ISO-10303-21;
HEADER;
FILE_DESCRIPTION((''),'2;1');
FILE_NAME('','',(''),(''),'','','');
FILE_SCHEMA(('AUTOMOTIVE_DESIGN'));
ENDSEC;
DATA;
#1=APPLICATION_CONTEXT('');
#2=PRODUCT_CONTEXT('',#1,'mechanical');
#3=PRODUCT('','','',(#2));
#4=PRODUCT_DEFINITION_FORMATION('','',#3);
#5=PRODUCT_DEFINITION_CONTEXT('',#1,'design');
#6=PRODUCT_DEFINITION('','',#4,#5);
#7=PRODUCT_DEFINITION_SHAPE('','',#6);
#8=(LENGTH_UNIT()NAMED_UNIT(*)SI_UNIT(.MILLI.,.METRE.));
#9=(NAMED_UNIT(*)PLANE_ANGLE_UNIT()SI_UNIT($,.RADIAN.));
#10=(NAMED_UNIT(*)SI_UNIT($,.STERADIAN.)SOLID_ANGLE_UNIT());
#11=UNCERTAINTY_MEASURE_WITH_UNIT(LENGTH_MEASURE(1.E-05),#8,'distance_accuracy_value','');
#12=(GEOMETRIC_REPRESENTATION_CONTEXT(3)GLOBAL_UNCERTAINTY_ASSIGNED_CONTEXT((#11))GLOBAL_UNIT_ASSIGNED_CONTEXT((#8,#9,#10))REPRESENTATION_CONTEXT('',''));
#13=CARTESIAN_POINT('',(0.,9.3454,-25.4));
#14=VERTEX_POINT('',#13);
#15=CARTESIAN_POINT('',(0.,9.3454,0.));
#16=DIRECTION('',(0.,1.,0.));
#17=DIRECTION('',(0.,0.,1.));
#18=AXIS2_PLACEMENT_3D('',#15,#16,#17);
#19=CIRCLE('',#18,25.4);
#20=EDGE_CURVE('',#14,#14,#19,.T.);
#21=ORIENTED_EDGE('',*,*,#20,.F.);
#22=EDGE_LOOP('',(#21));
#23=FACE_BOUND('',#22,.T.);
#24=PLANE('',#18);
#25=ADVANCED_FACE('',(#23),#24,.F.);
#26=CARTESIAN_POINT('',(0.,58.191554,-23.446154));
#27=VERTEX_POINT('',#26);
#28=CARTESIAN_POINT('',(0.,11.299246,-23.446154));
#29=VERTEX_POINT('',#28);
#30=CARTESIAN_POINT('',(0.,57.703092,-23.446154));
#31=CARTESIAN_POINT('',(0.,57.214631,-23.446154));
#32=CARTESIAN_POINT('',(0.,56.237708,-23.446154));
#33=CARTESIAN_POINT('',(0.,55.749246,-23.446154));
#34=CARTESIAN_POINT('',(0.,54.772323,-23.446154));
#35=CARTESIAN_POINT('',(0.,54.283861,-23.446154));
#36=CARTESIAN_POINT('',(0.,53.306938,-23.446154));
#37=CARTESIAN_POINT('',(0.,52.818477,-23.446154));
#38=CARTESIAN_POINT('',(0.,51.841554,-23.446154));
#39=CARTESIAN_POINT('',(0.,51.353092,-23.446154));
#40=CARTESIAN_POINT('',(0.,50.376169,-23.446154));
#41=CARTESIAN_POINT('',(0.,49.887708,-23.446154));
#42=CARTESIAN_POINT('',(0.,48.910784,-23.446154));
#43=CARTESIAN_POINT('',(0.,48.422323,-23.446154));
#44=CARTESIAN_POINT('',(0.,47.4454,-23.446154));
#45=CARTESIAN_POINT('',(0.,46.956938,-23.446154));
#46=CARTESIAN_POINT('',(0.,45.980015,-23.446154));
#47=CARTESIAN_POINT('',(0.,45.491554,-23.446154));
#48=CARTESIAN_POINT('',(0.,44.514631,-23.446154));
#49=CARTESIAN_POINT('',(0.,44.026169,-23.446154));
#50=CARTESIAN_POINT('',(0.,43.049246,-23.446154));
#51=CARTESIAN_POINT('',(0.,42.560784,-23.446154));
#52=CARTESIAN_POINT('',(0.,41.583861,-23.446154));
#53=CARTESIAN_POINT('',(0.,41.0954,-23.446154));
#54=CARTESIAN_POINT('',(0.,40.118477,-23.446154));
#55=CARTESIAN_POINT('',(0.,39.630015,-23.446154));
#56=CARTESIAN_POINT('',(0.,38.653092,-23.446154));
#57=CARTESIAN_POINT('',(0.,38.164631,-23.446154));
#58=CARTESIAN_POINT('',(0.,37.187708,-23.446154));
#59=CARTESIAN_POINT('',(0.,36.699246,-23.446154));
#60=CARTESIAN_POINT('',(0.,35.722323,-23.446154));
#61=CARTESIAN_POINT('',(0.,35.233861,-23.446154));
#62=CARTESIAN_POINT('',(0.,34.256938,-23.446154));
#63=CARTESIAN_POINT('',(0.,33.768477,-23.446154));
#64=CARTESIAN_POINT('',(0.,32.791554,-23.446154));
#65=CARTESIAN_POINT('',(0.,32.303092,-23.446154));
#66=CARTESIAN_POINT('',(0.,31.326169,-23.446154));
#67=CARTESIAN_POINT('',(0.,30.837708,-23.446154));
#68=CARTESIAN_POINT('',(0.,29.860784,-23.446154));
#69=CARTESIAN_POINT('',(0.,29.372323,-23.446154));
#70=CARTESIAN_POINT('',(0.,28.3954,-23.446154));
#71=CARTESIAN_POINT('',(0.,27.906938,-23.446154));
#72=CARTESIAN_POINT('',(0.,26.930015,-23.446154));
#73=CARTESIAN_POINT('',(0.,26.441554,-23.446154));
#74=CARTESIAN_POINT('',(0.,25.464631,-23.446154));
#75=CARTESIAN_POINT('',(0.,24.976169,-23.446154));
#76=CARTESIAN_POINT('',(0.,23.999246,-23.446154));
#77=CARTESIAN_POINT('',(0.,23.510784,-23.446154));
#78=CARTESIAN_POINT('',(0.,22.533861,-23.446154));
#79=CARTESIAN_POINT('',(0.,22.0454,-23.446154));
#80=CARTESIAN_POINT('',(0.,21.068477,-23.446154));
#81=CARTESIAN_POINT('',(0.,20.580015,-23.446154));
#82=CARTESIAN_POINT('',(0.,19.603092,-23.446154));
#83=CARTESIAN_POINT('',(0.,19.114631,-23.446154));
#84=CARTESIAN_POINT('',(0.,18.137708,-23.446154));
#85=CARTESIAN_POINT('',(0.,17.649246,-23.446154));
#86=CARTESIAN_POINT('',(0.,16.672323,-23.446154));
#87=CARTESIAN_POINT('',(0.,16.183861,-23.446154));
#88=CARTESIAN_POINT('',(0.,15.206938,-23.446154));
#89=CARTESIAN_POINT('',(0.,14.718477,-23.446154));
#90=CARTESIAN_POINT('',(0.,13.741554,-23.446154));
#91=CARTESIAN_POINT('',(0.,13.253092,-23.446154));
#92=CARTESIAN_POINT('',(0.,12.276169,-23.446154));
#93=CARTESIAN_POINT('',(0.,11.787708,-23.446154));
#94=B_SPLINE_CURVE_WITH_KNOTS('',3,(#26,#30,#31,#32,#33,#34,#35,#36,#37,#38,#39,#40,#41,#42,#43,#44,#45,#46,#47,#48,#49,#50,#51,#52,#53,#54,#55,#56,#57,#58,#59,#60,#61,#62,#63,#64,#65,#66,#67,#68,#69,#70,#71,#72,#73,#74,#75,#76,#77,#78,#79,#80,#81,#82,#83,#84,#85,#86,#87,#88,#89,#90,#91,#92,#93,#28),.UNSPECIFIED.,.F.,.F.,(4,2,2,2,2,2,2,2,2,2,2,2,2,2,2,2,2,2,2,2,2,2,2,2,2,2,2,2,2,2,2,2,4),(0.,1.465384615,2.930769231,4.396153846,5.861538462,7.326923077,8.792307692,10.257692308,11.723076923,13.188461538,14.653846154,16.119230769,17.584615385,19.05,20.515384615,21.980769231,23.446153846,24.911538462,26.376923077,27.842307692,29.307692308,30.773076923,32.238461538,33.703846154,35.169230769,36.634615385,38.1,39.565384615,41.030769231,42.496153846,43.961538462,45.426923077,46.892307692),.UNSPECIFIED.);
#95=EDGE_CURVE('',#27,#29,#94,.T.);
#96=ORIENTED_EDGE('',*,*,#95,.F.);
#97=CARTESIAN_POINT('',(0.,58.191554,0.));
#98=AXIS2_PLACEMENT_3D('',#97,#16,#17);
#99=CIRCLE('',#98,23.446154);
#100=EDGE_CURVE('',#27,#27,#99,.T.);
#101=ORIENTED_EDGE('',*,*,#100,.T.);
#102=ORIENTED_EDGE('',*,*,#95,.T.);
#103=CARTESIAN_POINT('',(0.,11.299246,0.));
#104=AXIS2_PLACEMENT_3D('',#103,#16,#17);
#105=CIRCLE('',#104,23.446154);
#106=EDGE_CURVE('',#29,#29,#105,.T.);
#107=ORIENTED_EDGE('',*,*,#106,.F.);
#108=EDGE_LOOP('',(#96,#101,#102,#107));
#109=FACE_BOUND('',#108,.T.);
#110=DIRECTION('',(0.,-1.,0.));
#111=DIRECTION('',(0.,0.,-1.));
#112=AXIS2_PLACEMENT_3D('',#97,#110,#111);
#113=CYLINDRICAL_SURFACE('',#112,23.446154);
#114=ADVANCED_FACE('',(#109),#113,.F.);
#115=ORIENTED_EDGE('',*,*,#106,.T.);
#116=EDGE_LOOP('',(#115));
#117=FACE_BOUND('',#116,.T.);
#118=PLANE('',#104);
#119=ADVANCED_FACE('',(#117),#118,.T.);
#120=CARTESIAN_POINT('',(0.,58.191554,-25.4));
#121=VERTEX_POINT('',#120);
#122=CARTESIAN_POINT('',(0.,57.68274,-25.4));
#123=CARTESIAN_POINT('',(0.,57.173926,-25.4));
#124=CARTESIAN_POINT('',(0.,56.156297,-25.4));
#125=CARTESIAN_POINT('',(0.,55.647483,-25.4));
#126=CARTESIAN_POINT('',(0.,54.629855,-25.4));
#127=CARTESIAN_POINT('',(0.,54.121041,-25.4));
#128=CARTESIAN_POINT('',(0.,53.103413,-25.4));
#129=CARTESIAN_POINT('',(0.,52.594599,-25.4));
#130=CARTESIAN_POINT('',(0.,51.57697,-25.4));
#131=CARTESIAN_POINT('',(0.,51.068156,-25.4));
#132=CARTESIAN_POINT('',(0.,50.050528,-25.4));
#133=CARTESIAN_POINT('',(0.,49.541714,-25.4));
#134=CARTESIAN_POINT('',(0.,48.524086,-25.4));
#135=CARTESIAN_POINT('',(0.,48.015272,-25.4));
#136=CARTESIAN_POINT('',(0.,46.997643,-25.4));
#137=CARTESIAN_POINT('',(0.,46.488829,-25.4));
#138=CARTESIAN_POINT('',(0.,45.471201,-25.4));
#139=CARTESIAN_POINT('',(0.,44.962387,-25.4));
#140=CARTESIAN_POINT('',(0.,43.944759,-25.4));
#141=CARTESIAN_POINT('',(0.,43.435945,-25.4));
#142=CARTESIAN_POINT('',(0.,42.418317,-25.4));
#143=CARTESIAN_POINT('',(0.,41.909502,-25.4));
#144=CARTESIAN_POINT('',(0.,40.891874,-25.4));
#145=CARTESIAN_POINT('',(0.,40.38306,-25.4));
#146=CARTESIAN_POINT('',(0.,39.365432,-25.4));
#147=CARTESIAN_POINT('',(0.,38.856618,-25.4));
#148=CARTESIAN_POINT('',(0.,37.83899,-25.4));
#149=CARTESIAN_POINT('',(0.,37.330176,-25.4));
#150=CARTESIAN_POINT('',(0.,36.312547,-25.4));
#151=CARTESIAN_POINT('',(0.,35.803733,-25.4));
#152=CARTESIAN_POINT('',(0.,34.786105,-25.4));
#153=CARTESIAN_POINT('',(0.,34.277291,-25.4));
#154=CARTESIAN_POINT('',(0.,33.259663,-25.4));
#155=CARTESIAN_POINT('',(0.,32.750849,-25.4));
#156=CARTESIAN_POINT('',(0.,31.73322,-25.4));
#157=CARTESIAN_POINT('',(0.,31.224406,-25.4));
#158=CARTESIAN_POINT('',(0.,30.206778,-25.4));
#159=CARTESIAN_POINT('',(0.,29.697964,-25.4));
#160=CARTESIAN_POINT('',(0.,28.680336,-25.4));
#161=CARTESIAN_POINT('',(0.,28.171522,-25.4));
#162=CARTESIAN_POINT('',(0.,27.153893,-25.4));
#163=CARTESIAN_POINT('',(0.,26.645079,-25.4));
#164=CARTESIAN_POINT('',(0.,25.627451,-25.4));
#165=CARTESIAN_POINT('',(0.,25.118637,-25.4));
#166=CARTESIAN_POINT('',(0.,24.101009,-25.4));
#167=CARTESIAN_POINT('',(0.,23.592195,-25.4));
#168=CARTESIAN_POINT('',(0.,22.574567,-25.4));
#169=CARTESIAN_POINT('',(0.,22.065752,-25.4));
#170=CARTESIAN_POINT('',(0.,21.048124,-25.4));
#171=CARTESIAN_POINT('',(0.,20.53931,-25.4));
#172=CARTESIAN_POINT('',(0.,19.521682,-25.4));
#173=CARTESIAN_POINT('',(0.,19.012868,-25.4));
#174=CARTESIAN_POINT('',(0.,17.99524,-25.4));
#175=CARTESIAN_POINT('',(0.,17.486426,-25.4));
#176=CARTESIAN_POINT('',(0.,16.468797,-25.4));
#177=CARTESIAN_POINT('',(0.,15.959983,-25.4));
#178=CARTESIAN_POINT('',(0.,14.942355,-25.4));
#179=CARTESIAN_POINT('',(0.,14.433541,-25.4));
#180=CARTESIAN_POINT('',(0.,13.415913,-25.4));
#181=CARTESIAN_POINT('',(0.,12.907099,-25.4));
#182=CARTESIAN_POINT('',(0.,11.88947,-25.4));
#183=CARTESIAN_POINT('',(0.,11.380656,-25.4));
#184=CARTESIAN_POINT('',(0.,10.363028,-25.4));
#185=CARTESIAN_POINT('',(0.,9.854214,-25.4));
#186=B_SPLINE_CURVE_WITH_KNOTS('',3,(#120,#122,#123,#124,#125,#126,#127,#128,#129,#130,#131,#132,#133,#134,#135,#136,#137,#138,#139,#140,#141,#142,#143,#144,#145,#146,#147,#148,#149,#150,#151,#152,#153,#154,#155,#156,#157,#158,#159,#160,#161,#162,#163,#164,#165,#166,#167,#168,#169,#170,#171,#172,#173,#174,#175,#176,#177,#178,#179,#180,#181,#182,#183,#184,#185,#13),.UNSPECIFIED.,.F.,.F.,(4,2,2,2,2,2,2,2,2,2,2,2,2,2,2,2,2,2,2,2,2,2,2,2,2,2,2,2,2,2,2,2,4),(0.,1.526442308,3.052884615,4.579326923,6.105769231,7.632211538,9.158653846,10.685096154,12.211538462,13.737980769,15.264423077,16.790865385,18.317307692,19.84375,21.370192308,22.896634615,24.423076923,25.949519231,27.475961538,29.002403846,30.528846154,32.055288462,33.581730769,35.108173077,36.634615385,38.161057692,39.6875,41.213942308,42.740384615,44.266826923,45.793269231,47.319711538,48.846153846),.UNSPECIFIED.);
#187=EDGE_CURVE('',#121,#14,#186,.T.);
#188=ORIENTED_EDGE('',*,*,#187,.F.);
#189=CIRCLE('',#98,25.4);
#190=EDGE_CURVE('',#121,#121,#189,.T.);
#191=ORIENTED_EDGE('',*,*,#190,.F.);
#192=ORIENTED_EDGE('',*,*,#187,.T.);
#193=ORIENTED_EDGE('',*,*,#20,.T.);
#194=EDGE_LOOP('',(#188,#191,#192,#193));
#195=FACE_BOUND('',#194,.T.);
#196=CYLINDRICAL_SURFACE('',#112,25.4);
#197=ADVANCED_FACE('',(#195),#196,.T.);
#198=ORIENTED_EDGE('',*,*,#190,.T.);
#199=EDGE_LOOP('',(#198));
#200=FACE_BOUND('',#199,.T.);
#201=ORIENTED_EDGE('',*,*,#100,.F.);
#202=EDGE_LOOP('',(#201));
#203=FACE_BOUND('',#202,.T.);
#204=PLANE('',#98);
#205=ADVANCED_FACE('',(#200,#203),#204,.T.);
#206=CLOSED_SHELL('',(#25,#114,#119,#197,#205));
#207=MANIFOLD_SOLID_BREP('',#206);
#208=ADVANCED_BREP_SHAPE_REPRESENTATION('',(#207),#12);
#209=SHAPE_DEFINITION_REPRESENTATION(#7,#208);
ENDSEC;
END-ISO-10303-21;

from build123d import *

# Parameters (mm, degrees)
SKETCH1_R           = 38.1
BOSS_EXTRUDE1_DEPTH = 76.2
SHELL2_T            = 3.175
SCALE1_SCALE        = 0.615384615


with BuildPart() as part:
    # Sketch1 → Boss-Extrude1 (new body)
    with BuildSketch(Plane(origin=(0, 0, 0), x_dir=(1, 0, 0), z_dir=(0, 1, 0))):
        with Locations(Location((0, 0, 0), (0, 0, 90))):
            Circle(SKETCH1_R)
    extrude(amount=BOSS_EXTRUDE1_DEPTH)

    # Shell2
    shell2_openings = [part.faces().sort_by_distance(p)[0] for p in [
        (0, 76.2, 0),
    ]]
    offset(amount=SHELL2_T, openings=shell2_openings, kind=Kind.INTERSECTION)


with BuildPart() as part_1:
    # Scale1: scaled about (0, 29.378039662, 0)
    add(part.part.scale(SCALE1_SCALE).moved(Location((0, 11.299246024, 0))))


solid = part_1.part
